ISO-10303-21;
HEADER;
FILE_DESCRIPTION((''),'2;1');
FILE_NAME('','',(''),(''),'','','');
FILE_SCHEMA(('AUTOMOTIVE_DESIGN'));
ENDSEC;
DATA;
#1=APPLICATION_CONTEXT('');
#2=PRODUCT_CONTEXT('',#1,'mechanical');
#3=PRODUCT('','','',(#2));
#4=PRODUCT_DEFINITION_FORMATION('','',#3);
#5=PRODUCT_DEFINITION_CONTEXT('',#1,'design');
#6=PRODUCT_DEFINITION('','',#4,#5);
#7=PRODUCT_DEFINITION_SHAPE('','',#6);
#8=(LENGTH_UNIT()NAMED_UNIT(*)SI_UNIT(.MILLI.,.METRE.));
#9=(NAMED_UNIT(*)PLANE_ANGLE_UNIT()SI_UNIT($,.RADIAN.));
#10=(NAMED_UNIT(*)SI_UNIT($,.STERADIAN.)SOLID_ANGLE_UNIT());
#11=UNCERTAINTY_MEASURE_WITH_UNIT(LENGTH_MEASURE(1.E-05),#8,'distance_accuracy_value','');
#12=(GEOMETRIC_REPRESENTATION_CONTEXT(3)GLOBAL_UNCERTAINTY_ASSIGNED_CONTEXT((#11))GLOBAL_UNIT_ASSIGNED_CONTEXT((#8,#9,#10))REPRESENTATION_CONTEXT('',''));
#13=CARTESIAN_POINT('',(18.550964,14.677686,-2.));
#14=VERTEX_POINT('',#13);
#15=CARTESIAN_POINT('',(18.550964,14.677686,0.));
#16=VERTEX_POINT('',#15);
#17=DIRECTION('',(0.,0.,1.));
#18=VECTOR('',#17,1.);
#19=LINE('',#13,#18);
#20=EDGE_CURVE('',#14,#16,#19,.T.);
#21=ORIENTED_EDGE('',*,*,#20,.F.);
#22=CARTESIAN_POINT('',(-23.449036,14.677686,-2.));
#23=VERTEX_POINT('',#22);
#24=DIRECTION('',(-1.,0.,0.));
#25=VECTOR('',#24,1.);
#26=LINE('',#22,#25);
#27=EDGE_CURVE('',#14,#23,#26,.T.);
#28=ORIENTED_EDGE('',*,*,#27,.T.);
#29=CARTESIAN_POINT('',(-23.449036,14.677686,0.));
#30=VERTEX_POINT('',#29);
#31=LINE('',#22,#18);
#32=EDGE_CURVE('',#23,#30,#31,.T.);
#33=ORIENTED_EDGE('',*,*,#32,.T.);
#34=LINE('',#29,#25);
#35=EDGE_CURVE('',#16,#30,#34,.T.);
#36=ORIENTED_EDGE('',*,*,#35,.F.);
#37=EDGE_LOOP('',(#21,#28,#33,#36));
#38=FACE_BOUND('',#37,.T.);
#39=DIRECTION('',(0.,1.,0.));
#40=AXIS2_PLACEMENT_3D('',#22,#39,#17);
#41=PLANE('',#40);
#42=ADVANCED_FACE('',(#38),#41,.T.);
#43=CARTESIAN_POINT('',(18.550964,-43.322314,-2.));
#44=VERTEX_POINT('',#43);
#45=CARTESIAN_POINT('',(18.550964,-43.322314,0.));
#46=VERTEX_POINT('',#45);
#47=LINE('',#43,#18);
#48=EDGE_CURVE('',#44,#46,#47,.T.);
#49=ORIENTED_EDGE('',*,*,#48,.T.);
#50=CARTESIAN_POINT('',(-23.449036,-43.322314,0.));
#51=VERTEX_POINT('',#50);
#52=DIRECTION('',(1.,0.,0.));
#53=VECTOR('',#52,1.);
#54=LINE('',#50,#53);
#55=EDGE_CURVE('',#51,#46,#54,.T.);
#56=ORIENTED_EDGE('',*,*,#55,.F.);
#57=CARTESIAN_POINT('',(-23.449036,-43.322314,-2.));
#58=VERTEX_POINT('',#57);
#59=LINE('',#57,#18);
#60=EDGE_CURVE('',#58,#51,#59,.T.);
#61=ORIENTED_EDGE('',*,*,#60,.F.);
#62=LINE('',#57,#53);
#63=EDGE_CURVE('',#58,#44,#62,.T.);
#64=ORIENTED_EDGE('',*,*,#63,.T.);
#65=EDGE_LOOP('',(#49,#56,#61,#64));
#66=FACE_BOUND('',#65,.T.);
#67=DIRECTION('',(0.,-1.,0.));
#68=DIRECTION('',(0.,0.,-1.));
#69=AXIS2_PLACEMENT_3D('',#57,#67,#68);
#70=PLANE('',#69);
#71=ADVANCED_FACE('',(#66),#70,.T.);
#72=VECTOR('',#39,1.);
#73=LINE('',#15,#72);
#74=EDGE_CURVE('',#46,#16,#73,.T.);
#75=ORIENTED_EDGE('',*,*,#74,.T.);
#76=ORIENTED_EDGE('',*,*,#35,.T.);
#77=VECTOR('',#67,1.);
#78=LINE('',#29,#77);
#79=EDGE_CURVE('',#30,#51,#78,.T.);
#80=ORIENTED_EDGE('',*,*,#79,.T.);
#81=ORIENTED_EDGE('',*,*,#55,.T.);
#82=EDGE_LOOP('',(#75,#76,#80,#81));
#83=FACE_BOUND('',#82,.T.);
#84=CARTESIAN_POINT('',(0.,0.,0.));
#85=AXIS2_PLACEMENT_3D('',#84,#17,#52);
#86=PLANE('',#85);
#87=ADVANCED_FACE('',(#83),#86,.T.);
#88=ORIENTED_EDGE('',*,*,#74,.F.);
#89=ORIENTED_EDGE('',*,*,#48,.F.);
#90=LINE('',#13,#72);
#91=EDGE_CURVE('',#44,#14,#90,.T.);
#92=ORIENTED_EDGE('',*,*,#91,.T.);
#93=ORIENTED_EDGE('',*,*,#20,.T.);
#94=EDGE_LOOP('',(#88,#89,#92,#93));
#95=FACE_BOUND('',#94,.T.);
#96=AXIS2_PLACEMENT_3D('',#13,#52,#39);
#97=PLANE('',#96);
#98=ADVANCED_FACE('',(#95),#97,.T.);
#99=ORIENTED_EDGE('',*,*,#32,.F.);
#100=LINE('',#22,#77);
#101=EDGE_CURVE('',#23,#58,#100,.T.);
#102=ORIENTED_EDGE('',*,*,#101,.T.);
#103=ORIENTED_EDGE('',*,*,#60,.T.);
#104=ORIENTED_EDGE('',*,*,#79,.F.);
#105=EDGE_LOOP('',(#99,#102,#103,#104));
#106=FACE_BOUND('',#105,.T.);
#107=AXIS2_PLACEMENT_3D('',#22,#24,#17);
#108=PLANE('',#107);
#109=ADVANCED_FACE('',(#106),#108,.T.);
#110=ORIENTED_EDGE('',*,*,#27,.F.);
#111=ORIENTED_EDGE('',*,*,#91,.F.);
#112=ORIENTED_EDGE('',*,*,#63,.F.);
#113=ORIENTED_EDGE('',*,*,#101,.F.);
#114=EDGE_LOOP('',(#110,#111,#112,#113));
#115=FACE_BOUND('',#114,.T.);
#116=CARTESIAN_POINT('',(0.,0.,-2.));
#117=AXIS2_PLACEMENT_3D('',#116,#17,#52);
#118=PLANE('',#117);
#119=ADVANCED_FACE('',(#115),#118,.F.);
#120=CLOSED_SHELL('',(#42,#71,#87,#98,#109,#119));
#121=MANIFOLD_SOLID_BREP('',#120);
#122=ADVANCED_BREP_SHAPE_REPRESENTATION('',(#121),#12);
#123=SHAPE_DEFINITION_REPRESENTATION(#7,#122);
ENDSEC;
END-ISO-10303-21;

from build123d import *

# Parameters (mm, degrees)
SKETCH1_W           = 42
SKETCH1_H           = 58
BOSS_EXTRUDE1_DEPTH = 2


with BuildPart() as part:
    # Sketch1 → Boss-Extrude1 (new body)
    with BuildSketch(Plane.XY):
        with Locations((-2.449035813, -14.32231405)):
            Rectangle(SKETCH1_W, SKETCH1_H)
    extrude(amount=-BOSS_EXTRUDE1_DEPTH)


solid = part.part
